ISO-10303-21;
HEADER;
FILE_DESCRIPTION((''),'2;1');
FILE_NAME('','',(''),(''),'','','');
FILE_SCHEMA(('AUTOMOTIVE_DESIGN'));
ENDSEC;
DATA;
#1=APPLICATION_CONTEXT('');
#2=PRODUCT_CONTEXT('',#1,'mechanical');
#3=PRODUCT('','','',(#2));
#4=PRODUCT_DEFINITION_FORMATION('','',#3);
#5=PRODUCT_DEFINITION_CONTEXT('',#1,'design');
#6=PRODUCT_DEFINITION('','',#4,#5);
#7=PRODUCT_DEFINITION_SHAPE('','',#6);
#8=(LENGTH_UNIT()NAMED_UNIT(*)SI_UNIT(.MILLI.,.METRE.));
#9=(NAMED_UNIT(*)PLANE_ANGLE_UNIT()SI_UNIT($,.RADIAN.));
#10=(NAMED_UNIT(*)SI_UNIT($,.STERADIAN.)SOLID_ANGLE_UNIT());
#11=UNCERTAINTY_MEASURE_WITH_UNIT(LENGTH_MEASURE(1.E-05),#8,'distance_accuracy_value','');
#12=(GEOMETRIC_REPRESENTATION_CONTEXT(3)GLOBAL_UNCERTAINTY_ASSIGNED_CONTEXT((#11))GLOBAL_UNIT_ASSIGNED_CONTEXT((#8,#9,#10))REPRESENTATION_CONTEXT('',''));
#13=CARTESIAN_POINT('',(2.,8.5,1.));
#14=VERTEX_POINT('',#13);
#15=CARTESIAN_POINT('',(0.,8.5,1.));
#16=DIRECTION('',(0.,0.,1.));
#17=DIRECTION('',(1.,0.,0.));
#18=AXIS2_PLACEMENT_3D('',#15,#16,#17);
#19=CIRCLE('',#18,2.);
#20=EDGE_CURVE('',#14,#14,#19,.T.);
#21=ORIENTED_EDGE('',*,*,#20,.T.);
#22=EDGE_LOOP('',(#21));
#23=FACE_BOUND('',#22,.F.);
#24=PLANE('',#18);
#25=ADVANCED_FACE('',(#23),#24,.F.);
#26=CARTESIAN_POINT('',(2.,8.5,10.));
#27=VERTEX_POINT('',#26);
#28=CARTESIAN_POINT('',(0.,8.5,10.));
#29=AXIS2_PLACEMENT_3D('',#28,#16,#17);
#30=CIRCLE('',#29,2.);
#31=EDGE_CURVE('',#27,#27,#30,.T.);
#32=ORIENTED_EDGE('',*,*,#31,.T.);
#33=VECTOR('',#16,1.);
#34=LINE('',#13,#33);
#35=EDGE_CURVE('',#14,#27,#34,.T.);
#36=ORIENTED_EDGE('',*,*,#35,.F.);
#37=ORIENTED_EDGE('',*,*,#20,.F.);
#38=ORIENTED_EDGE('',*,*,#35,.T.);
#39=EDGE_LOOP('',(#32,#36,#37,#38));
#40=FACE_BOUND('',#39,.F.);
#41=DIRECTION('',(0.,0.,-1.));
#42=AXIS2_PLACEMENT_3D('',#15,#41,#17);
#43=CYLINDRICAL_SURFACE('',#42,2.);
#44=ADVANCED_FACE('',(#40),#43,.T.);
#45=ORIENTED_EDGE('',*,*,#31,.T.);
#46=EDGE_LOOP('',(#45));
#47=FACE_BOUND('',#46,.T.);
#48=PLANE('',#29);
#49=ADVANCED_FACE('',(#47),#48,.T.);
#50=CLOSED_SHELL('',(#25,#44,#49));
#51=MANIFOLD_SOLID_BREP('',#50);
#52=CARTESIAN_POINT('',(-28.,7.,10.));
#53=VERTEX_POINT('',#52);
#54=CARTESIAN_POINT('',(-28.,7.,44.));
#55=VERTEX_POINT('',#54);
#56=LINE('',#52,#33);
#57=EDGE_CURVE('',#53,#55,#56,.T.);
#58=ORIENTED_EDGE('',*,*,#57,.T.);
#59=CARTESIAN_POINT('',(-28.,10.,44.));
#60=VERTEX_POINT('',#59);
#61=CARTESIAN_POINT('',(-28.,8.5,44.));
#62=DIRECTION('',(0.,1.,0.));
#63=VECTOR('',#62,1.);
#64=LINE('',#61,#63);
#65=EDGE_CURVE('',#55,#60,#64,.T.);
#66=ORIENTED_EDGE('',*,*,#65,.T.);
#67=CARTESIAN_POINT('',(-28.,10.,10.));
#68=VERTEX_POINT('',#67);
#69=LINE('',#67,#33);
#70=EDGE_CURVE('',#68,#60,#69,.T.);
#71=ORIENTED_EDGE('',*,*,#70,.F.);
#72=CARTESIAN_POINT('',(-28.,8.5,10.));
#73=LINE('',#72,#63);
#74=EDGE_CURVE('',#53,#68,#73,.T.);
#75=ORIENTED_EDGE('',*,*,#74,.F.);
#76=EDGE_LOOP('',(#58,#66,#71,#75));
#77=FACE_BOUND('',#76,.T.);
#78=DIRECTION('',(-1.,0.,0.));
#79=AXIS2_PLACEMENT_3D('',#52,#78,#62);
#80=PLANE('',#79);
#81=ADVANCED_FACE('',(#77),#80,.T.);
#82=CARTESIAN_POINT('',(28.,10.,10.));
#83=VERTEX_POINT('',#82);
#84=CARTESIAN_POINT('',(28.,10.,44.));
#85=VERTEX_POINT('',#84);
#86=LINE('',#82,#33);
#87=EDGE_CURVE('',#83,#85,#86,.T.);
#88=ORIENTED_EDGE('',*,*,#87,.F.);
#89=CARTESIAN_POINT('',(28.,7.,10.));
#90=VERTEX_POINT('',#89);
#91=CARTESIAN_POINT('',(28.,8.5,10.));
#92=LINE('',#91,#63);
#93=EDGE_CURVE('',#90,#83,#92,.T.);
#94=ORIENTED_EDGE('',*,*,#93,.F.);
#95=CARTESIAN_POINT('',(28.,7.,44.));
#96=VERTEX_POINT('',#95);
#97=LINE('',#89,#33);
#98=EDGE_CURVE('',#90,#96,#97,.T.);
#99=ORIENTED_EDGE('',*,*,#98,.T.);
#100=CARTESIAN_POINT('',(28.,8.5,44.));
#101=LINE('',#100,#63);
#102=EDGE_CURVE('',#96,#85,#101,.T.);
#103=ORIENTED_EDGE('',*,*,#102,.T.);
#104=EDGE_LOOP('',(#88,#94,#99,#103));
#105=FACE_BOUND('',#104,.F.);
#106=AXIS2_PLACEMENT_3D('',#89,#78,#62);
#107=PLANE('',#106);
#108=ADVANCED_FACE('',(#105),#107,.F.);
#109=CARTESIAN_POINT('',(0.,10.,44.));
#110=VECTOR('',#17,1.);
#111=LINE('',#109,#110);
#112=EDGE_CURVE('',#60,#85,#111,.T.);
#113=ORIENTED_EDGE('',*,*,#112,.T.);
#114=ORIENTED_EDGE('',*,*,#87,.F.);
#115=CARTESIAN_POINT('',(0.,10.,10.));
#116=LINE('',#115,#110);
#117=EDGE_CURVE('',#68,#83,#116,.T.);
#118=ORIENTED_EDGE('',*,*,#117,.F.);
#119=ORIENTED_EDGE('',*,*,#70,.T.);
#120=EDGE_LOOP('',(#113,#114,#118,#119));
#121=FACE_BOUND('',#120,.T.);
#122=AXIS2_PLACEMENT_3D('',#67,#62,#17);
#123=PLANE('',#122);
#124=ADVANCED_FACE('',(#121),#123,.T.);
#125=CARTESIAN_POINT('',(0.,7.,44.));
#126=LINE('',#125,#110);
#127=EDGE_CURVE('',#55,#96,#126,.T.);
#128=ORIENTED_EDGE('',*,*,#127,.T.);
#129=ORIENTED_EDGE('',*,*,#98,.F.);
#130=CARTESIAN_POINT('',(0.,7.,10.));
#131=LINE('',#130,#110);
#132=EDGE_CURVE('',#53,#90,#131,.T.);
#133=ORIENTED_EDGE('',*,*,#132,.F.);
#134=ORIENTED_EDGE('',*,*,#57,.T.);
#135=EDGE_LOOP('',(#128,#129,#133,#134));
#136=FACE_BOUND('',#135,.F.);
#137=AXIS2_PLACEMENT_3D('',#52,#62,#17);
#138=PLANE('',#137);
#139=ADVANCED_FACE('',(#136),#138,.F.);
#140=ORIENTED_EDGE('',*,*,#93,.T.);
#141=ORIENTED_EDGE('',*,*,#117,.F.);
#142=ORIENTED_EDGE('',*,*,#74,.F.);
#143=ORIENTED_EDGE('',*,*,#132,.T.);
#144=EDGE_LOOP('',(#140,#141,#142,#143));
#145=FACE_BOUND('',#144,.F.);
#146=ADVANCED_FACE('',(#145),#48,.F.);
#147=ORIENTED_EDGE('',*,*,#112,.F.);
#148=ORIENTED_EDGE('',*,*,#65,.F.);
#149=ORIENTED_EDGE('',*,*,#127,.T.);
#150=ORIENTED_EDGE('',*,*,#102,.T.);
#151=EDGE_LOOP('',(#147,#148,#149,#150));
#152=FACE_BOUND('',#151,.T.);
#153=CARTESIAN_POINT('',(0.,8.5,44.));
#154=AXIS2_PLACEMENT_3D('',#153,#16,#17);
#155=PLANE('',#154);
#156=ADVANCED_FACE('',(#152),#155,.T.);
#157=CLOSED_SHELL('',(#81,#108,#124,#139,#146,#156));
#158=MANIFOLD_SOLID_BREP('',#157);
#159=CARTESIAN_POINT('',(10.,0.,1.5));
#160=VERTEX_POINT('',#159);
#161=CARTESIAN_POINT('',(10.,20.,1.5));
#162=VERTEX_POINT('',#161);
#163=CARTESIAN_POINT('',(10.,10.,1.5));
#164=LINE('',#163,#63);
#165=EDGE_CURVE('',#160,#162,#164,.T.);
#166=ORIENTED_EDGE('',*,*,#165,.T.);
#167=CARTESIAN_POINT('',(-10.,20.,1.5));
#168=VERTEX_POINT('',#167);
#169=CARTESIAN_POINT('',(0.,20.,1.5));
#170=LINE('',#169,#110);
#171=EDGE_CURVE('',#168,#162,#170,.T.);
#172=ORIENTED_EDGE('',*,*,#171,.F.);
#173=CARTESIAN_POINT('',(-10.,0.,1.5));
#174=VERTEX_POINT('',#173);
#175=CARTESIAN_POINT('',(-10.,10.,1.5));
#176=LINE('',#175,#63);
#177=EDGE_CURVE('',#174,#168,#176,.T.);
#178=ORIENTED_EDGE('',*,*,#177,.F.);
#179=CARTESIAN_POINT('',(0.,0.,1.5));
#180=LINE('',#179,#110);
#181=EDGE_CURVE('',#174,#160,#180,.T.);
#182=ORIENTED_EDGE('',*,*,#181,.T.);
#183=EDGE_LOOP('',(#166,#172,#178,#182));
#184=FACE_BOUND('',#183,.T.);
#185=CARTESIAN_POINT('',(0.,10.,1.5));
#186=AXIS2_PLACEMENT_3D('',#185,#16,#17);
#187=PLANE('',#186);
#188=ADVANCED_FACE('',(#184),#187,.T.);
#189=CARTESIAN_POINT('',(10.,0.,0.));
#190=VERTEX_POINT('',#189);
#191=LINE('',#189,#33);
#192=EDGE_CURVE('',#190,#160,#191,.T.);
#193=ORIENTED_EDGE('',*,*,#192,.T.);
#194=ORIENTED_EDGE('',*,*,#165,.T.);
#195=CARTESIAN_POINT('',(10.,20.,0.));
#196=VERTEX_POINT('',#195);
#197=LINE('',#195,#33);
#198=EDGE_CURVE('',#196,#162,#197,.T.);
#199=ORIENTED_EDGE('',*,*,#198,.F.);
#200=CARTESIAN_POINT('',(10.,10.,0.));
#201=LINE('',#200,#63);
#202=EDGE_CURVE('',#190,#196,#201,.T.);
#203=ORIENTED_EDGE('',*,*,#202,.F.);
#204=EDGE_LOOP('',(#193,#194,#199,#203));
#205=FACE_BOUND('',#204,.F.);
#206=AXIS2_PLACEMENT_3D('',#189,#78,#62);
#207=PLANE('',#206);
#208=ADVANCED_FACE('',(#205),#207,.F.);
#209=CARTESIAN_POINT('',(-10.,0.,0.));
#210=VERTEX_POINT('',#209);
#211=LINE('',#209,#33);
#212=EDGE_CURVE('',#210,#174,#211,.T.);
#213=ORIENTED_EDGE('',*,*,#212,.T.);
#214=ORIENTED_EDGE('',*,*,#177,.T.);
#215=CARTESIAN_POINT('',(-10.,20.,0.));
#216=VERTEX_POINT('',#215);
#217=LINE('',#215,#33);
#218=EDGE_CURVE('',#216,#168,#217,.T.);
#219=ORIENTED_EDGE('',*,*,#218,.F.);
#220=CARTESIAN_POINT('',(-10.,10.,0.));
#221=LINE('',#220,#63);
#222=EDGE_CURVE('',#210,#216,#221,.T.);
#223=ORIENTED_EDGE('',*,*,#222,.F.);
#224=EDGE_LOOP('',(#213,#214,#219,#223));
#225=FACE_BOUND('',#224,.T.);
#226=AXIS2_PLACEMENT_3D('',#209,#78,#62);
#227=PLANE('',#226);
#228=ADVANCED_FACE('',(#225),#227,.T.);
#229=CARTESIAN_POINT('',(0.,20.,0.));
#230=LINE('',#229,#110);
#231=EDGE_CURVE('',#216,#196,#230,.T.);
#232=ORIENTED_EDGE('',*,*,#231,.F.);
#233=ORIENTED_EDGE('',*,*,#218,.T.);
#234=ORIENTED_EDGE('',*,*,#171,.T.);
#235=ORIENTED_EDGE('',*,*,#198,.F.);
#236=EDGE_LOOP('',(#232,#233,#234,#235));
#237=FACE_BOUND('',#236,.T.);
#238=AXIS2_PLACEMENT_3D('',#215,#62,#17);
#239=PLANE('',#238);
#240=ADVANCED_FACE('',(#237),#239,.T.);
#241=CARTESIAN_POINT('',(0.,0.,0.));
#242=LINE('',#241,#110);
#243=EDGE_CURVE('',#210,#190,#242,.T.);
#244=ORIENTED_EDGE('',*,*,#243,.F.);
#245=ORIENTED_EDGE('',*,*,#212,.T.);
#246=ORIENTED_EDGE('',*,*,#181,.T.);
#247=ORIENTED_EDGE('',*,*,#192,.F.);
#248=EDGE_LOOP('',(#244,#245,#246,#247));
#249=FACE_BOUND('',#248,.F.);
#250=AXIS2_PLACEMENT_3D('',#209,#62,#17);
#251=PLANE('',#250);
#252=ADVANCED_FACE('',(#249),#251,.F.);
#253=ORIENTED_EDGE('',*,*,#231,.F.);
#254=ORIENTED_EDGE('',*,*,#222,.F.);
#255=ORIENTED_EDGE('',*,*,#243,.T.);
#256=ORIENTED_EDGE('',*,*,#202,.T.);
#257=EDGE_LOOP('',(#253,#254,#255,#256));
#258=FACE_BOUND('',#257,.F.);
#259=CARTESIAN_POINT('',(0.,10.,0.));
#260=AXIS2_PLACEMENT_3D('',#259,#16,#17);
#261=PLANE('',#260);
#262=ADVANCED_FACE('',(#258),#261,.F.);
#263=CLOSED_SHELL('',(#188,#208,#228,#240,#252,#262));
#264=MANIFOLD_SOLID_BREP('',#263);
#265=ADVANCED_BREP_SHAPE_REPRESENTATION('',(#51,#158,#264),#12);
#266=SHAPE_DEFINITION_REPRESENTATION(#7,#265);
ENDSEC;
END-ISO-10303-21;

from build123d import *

# Parameters (mm, degrees)
BOX_W          = 56
BOX_H          = 3
BOX_DEPTH      = 34
BOX001_W       = 20
BOX001_H       = 20
BOX001_DEPTH   = 1.5
CYLINDER_R     = 2
CYLINDER_DEPTH = 9


with BuildPart() as pantalla:
    # Box → Box (new body)
    with BuildSketch(Plane(origin=(-28, 7, 10), x_dir=(1, 0, 0), z_dir=(0, 0, 1))):
        with Locations((28, 1.5)):
            Rectangle(BOX_W, BOX_H)
    extrude(amount=BOX_DEPTH)


with BuildPart() as base:
    # Box001 → Box001 (new body)
    with BuildSketch(Plane(origin=(-10, 0, 0), x_dir=(1, 0, 0), z_dir=(0, 0, 1))):
        with Locations((10, 10)):
            Rectangle(BOX001_W, BOX001_H)
    extrude(amount=BOX001_DEPTH)


with BuildPart() as cilindro:
    # Cylinder → Cylinder (new body)
    with BuildSketch(Plane(origin=(0, 8.5, 1), x_dir=(1, 0, 0), z_dir=(0, 0, 1))):
        Circle(CYLINDER_R)
    extrude(amount=CYLINDER_DEPTH)


solid = Compound([pantalla.part, base.part, cilindro.part])
